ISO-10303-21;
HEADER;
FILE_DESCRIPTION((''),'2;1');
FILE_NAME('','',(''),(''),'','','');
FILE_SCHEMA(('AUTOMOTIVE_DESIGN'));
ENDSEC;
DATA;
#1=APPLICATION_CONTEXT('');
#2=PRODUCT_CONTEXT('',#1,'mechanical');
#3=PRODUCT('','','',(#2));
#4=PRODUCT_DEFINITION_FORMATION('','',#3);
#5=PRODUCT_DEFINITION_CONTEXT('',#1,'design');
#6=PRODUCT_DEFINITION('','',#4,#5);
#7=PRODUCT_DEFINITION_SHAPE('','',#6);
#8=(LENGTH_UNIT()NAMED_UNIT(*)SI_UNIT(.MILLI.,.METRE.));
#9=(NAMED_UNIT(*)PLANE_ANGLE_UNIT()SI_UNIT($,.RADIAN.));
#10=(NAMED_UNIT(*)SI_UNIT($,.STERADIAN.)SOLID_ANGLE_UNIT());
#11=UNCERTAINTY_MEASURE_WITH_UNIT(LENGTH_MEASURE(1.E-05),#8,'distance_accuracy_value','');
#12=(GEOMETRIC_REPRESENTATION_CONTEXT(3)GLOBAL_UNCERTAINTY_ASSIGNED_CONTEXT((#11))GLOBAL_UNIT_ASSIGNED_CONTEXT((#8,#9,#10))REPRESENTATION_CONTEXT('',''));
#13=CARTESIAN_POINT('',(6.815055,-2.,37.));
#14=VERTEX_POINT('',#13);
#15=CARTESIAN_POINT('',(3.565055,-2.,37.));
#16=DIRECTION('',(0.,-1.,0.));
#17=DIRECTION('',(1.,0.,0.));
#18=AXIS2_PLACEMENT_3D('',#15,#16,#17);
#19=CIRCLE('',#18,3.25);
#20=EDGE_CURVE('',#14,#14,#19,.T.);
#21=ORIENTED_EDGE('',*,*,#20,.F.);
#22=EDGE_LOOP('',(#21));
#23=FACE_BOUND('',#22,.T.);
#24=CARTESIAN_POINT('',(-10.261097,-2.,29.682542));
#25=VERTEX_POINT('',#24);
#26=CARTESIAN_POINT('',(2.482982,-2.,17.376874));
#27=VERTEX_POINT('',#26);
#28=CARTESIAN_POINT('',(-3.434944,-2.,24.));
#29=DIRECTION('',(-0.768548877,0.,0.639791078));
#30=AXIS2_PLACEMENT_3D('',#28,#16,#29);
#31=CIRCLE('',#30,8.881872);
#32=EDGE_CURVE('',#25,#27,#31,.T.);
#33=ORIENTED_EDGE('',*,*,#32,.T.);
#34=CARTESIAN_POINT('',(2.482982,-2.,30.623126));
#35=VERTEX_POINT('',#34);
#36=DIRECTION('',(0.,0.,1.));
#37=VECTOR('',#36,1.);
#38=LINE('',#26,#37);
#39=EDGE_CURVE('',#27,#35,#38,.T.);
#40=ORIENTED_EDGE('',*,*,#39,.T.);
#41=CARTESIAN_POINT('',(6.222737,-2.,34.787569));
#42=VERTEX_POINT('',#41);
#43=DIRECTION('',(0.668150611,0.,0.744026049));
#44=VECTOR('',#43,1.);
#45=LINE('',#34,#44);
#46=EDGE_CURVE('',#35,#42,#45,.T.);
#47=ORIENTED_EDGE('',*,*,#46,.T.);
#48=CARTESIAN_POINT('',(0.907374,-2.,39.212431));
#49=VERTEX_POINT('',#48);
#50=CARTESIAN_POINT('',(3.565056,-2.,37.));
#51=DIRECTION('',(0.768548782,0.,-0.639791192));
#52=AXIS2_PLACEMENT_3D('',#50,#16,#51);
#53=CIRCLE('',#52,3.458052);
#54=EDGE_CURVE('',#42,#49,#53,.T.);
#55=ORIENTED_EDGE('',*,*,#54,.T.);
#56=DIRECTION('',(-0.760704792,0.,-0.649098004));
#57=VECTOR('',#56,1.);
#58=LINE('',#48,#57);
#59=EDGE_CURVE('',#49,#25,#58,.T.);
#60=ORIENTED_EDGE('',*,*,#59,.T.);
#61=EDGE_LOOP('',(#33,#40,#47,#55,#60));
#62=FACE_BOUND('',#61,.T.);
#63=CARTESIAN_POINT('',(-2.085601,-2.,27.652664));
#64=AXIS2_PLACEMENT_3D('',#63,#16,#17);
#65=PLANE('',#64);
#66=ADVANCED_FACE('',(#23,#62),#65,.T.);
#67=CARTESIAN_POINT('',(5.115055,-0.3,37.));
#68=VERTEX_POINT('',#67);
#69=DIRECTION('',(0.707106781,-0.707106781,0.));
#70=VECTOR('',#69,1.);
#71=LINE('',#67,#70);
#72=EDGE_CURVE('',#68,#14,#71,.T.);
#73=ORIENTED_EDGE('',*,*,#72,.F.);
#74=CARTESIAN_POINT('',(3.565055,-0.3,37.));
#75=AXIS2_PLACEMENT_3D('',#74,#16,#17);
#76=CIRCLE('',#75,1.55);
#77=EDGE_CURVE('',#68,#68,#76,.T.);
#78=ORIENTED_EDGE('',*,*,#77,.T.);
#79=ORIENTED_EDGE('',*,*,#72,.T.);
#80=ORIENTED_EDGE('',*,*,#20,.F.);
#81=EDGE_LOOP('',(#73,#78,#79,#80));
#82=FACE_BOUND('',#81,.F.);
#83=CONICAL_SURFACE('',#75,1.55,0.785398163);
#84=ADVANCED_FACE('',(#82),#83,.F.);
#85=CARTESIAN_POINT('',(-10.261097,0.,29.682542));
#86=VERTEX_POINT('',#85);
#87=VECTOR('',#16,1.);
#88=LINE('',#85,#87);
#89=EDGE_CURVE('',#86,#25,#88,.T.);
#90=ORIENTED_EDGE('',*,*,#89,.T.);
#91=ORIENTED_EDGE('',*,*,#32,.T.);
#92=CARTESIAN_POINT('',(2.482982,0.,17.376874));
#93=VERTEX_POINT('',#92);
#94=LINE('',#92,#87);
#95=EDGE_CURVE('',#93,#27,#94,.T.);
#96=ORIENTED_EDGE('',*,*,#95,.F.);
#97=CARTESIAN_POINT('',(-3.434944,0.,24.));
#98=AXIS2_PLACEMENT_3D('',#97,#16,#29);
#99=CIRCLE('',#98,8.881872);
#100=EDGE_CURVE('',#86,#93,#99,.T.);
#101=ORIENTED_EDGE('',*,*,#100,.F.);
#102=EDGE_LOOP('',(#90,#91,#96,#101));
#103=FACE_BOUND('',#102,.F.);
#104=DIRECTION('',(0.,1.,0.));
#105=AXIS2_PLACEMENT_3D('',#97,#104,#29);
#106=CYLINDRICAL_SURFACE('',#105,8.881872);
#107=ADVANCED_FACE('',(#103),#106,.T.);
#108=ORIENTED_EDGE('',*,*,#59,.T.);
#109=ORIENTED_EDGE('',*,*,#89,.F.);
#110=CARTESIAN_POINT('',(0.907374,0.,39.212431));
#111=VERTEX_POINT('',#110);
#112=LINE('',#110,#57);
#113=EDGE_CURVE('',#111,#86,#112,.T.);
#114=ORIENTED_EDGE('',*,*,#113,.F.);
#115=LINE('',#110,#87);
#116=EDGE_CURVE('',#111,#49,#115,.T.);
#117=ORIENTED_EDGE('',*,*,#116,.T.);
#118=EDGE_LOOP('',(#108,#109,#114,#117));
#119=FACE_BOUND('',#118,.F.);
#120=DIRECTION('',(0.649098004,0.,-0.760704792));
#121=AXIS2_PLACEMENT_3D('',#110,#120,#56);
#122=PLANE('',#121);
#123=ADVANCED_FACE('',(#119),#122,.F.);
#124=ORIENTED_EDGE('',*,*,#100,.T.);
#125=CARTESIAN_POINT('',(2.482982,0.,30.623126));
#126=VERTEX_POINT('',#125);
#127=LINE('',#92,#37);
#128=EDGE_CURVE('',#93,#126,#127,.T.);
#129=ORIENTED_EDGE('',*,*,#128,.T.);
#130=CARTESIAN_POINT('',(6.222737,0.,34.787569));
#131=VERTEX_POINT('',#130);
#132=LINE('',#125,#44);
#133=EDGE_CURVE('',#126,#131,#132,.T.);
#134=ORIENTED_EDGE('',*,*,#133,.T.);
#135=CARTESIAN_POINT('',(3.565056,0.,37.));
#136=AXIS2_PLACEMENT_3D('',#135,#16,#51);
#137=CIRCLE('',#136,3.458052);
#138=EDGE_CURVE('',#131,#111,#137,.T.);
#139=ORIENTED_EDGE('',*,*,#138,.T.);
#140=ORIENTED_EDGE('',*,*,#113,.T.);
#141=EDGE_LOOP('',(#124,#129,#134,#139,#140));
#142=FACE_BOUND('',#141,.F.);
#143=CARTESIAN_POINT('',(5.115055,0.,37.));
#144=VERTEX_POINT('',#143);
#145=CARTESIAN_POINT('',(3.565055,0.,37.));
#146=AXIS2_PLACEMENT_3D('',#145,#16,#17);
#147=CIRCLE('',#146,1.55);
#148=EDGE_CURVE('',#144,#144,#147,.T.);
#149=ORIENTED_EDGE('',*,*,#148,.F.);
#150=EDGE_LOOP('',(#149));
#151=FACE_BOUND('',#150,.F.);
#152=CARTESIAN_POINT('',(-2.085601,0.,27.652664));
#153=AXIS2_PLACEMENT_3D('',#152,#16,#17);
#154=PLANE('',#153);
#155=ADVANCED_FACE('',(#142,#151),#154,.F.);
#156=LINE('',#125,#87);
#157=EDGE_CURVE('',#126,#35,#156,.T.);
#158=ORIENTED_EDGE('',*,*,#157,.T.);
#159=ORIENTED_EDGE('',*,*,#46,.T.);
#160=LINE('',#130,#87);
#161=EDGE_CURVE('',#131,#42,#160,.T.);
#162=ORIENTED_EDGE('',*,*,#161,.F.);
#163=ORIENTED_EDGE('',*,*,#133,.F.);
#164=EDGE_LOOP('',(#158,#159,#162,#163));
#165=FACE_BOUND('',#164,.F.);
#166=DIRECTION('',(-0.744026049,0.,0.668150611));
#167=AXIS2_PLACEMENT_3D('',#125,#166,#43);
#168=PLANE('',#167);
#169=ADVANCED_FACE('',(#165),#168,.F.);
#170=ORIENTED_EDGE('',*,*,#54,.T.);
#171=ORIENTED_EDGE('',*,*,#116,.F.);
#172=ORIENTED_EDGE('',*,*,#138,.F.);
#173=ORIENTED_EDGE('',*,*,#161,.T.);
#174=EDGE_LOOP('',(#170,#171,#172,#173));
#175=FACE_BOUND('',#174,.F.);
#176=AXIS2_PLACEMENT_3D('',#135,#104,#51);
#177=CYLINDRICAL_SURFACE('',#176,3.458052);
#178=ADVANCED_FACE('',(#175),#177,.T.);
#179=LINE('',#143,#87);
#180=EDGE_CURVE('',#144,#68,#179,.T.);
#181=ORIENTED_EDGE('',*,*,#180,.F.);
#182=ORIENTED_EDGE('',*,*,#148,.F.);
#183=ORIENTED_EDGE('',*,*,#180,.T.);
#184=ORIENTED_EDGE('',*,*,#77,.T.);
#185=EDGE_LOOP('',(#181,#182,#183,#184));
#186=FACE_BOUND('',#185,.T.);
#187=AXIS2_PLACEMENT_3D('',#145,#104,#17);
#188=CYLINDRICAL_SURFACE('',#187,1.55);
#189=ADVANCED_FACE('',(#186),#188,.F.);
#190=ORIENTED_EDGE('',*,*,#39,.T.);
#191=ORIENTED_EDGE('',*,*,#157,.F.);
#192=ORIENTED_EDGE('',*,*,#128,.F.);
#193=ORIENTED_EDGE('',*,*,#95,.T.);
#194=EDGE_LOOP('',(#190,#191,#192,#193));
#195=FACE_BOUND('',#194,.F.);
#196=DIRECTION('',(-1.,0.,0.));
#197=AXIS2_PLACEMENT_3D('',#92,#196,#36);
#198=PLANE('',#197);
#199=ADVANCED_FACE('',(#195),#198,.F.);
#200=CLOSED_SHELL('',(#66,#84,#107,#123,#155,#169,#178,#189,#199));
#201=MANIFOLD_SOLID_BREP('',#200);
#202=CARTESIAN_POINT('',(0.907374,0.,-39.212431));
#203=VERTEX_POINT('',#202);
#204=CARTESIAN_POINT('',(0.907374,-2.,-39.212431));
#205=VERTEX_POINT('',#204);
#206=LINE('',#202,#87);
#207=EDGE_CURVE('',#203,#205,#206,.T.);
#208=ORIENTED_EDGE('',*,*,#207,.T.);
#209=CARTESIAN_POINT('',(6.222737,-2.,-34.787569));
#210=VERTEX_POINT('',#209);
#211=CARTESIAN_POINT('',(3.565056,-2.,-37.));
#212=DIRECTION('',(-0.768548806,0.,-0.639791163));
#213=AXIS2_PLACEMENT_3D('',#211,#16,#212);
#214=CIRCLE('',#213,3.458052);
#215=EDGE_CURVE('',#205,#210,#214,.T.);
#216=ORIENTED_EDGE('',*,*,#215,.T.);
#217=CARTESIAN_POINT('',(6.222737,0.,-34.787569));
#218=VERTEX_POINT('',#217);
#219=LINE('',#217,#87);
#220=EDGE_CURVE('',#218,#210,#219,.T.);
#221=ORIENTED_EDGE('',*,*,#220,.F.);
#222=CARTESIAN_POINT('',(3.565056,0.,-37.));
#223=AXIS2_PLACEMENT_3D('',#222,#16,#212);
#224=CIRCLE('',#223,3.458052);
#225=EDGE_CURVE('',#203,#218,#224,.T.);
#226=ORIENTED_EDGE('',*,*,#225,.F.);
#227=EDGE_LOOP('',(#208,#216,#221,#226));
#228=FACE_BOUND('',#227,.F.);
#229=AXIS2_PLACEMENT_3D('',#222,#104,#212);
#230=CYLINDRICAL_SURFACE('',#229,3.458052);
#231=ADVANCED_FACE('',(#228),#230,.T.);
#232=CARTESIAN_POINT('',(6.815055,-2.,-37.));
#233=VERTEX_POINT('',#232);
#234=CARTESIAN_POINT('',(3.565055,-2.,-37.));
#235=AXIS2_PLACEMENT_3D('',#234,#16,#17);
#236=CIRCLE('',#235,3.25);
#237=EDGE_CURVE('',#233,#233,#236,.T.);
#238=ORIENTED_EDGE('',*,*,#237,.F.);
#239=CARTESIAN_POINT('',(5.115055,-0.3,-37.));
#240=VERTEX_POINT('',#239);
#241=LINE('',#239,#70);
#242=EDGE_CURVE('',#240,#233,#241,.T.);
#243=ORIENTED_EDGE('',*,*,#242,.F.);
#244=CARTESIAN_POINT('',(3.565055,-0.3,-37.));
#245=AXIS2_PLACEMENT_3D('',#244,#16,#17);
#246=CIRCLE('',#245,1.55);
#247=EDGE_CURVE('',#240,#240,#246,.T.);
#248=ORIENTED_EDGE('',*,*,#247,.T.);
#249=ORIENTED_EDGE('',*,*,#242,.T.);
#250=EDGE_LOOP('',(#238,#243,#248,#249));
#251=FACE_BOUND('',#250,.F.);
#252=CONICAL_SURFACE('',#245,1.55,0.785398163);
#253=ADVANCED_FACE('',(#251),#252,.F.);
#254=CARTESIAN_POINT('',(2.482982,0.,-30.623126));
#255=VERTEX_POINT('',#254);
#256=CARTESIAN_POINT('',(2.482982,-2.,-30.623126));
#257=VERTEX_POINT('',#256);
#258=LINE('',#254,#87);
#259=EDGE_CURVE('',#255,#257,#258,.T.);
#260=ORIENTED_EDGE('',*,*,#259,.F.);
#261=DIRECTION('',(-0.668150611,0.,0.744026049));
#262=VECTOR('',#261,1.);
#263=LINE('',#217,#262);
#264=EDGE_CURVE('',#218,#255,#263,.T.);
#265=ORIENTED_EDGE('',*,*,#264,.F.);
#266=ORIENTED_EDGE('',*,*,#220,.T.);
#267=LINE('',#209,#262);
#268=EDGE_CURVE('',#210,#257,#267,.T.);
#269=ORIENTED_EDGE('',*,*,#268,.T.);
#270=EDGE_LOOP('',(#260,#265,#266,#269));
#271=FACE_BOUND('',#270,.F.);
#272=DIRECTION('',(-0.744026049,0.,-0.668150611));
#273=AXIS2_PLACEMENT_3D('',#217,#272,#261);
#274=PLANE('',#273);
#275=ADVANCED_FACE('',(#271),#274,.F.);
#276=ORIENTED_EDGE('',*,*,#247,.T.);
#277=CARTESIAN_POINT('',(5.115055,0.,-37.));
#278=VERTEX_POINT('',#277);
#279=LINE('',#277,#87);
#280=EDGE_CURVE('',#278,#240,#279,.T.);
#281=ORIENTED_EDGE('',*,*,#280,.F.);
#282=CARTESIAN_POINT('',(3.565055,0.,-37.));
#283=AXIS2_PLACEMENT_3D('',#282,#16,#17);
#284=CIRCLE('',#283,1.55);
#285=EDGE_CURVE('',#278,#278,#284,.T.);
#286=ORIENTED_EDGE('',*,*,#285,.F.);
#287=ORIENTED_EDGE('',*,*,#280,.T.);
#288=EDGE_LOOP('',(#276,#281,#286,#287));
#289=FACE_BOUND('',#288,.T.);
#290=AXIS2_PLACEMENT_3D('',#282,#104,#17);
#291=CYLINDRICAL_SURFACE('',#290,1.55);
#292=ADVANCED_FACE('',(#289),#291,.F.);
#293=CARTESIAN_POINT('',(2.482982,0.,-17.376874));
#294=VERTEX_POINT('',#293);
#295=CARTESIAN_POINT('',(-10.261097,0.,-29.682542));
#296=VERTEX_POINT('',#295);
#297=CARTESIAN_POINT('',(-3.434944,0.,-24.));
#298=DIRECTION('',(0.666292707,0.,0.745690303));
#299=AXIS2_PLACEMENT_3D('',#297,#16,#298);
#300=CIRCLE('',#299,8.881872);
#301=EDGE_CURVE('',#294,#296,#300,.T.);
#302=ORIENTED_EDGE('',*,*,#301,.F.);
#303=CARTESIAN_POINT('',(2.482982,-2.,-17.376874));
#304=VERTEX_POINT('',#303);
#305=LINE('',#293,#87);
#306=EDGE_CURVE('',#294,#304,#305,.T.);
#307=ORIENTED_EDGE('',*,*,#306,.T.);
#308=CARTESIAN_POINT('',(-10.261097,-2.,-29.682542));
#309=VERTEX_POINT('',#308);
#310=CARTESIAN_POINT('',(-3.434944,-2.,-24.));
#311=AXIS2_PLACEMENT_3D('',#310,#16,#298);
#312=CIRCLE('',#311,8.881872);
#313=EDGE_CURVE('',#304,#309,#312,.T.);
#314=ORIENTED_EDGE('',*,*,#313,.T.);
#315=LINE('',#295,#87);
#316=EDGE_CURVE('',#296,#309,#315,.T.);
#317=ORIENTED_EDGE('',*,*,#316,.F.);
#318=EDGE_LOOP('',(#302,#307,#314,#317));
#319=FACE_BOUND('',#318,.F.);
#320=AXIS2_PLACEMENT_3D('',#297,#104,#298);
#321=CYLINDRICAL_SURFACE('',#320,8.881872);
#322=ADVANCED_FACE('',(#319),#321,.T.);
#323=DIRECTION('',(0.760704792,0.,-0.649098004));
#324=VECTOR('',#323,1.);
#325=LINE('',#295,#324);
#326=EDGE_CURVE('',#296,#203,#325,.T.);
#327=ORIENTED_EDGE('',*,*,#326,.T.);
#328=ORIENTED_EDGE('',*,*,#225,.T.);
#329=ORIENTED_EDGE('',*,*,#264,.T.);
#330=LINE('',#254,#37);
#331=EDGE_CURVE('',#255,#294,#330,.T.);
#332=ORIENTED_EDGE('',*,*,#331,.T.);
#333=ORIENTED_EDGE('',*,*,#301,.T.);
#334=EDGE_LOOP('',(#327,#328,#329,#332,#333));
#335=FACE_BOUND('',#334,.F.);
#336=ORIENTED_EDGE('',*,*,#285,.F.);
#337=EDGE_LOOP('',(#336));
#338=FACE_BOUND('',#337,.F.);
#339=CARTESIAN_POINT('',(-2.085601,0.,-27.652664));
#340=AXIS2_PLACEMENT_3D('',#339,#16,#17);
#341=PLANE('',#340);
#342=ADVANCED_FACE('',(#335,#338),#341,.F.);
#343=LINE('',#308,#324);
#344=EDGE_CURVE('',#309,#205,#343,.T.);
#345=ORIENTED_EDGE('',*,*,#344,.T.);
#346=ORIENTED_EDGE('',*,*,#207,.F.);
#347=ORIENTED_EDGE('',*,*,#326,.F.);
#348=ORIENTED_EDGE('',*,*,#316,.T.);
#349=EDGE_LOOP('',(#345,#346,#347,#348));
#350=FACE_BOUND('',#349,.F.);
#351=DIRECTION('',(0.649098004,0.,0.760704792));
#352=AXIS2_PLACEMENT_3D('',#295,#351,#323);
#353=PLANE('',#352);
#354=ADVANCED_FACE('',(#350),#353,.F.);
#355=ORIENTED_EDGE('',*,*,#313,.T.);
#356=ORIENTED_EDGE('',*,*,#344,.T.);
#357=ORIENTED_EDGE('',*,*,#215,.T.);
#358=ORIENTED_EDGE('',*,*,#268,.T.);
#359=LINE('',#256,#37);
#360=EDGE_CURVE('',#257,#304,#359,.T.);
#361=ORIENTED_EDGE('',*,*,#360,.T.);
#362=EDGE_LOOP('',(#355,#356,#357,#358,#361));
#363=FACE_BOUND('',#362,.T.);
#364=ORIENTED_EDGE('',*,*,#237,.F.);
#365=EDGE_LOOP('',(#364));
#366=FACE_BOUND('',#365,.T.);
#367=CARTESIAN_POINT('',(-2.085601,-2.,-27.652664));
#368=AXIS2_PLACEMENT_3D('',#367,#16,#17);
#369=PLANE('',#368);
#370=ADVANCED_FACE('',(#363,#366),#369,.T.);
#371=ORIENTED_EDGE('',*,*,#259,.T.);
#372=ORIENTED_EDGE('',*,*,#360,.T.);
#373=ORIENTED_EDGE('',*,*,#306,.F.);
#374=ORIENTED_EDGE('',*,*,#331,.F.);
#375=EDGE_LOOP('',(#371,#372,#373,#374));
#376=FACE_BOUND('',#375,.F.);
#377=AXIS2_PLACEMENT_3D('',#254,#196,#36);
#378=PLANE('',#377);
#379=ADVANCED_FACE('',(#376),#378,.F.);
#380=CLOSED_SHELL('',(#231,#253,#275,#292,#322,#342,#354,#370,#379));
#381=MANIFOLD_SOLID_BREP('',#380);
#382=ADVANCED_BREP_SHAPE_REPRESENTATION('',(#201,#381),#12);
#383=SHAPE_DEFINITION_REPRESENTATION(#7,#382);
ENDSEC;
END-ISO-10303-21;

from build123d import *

# Parameters (mm, degrees)
F0_R     = 1.55
F1_DEPTH = 2
F2_SIZE  = 1.7


with BuildPart() as f1:
    # F0 (on Front) → F1 (new body)
    with BuildSketch(Plane.XZ):
        with BuildLine():
            Line((2.482982, -30.623126), (2.482982, -17.376874))
            ThreePointArc((2.482982, -17.376874), (-9.604514, -17.610629), (-10.261097, -29.682542))
            Line((-10.261097, -29.682542), (0.907374, -39.212431))
            ThreePointArc((0.907374, -39.212431), (5.777486, -39.657682), (6.222737, -34.787569))
            Line((6.222737, -34.787569), (2.482982, -30.623126))
        make_face()
        with Locations((3.565055, -37)):
            Circle(F0_R, mode=Mode.SUBTRACT)
        with BuildLine():
            ThreePointArc((6.222737, 34.787569), (5.777486, 39.657682), (0.907374, 39.212431))
            Line((0.907374, 39.212431), (-10.261097, 29.682542))
            ThreePointArc((-10.261097, 29.682542), (-9.604514, 17.610629), (2.482982, 17.376874))
            Line((2.482982, 17.376874), (2.482982, 30.623126))
            Line((2.482982, 30.623126), (6.222737, 34.787569))
        make_face()
        with Locations((3.565055, 37)):
            Circle(F0_R, mode=Mode.SUBTRACT)
    extrude(amount=F1_DEPTH)

    # F2
    f2_edges = [f1.edges().sort_by_distance(p)[0] for p in [
        (2.015055, -2, -37),
        (2.015055, -2, 37),
    ]]
    chamfer(f2_edges, length=F2_SIZE)


solid = f1.part
